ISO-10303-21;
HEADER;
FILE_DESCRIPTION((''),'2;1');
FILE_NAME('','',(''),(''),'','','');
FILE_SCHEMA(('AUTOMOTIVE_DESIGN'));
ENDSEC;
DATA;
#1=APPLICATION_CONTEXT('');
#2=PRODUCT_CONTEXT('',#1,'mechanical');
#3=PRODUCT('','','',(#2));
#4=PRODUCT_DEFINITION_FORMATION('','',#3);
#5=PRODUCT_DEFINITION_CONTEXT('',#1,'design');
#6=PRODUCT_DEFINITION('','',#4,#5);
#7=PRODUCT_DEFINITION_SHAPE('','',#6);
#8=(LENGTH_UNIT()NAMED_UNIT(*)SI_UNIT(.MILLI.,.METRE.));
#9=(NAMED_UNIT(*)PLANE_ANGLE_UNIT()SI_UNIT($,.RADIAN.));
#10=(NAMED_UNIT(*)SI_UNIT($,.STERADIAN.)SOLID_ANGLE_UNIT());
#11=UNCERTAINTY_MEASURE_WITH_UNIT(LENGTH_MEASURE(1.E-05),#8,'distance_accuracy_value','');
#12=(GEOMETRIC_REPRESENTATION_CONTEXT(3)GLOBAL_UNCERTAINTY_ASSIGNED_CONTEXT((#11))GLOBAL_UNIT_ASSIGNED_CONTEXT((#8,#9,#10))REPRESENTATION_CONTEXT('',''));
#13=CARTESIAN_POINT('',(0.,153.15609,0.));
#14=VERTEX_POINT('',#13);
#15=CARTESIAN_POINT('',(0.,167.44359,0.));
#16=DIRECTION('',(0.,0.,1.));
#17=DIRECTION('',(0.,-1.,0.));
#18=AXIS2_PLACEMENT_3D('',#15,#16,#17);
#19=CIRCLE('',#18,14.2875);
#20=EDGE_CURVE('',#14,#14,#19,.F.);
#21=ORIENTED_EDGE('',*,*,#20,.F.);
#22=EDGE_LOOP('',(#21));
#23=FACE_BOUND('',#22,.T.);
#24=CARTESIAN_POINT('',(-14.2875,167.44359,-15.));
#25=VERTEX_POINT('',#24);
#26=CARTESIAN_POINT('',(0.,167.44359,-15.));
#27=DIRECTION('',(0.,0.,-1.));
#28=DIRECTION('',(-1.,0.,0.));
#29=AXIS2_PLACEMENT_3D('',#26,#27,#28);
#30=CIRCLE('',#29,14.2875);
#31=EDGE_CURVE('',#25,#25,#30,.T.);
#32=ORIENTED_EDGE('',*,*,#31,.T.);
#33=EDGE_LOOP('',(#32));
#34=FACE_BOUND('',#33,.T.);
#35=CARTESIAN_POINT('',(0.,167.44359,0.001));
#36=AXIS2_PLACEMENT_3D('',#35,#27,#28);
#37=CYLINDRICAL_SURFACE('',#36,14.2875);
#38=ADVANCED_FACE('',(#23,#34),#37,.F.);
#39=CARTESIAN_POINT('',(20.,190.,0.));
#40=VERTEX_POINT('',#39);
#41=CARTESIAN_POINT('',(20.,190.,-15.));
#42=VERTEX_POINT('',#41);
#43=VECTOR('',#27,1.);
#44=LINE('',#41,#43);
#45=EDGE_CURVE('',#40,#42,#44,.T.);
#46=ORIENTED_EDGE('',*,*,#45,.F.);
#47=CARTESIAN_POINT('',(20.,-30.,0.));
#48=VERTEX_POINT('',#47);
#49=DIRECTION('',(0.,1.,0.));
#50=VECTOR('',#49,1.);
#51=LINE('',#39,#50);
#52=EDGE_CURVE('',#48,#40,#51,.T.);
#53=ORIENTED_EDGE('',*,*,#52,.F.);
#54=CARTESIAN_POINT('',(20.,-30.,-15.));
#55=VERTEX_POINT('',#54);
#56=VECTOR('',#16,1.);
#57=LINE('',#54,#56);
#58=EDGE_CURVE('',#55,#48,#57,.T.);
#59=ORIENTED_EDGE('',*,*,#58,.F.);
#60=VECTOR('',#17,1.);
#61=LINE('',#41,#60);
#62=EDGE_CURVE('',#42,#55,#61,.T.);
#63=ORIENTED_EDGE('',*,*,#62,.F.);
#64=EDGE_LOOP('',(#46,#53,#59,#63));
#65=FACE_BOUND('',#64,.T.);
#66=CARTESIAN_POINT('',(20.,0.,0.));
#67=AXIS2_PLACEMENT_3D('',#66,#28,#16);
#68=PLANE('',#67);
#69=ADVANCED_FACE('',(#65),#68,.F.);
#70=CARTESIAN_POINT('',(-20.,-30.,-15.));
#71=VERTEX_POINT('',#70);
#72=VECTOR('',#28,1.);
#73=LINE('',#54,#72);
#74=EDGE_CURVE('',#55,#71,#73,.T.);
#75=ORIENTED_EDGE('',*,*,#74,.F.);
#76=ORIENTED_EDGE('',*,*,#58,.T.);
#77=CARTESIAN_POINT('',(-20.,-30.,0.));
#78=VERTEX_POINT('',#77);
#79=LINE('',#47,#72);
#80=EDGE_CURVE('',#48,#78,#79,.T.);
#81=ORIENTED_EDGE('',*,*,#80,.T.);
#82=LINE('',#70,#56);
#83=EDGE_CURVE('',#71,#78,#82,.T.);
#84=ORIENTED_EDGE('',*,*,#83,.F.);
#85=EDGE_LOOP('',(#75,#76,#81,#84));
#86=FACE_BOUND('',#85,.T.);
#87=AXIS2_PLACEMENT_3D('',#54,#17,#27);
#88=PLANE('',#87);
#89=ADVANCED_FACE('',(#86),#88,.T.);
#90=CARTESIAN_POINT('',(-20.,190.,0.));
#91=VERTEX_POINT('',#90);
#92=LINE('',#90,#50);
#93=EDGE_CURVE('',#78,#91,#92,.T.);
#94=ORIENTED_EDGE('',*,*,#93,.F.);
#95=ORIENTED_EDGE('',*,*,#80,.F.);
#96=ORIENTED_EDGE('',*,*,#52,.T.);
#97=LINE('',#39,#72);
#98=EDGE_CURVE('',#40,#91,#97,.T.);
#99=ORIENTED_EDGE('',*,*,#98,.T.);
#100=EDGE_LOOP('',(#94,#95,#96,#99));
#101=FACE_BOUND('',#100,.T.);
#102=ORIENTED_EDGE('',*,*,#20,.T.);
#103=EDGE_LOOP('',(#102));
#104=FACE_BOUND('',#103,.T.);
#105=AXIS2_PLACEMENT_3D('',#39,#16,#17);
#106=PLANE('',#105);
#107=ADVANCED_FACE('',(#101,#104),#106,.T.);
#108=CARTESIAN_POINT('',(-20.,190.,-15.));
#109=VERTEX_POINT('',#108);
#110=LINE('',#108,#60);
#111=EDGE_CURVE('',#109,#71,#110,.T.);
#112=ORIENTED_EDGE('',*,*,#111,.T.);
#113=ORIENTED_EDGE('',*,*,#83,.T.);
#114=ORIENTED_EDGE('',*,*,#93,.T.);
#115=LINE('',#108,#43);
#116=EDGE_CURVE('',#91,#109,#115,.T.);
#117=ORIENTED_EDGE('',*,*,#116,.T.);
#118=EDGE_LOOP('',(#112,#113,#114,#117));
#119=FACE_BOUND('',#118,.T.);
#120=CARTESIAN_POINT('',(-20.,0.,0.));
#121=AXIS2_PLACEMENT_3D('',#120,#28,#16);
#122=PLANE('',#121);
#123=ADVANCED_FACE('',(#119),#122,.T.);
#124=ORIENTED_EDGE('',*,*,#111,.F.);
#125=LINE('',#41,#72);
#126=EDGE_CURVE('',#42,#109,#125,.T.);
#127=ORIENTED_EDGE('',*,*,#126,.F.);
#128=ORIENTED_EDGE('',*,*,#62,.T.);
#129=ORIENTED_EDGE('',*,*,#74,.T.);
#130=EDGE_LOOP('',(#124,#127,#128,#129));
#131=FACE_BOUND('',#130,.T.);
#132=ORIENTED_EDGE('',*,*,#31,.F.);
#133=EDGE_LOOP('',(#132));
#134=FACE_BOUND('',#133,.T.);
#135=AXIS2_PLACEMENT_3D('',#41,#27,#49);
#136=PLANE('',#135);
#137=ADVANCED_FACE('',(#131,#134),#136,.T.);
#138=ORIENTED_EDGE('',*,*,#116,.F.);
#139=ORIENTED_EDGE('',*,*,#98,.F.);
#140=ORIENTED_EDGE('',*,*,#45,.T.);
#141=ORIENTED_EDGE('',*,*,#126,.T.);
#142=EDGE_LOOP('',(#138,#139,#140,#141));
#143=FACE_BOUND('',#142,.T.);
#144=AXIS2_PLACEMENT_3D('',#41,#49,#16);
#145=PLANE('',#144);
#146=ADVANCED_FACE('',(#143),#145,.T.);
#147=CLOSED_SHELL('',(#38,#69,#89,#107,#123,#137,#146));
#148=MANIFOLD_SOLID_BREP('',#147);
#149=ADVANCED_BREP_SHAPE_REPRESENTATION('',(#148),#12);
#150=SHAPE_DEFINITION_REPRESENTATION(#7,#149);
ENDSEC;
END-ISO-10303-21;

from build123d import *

# Parameters (mm, degrees)
BOSS_EXTRUDE1_DEPTH      = 20
BOSS_EXTRUDE1_DEPTH_BACK = 20
SKETCH1_W                = 15
SKETCH1_H                = 220
CUT_EXTRUDE1_REACH       = 193.638
SKETCH5_R                = 14.2875


with BuildPart() as part:
    # Sketch1 → Boss-Extrude1 (new, two sides: drawn at the far end of the back side and taken through both)
    with BuildSketch(Plane.ZY.offset(-BOSS_EXTRUDE1_DEPTH_BACK)):
        with Locations((-7.5, 80)):
            Rectangle(SKETCH1_W, SKETCH1_H)
    extrude(amount=BOSS_EXTRUDE1_DEPTH + BOSS_EXTRUDE1_DEPTH_BACK)

    # Sketch5 → Cut-Extrude1 (cut, up to next)
    with BuildSketch(Plane(origin=(0, 0, -15), x_dir=(-1, 0, 0), z_dir=(0, 0, -1)), mode=Mode.PRIVATE) as cut_extrude1_sk1:
        with Locations((0, 167.443589791)):
            Circle(SKETCH5_R)
    cut_extrude1_tool1 = extrude(cut_extrude1_sk1.sketch, amount=-CUT_EXTRUDE1_REACH, mode=Mode.PRIVATE) & part.part
    add(cut_extrude1_tool1.solids().sort_by_distance((0, 167.44359, -15))[0], mode=Mode.SUBTRACT)


solid = part.part
